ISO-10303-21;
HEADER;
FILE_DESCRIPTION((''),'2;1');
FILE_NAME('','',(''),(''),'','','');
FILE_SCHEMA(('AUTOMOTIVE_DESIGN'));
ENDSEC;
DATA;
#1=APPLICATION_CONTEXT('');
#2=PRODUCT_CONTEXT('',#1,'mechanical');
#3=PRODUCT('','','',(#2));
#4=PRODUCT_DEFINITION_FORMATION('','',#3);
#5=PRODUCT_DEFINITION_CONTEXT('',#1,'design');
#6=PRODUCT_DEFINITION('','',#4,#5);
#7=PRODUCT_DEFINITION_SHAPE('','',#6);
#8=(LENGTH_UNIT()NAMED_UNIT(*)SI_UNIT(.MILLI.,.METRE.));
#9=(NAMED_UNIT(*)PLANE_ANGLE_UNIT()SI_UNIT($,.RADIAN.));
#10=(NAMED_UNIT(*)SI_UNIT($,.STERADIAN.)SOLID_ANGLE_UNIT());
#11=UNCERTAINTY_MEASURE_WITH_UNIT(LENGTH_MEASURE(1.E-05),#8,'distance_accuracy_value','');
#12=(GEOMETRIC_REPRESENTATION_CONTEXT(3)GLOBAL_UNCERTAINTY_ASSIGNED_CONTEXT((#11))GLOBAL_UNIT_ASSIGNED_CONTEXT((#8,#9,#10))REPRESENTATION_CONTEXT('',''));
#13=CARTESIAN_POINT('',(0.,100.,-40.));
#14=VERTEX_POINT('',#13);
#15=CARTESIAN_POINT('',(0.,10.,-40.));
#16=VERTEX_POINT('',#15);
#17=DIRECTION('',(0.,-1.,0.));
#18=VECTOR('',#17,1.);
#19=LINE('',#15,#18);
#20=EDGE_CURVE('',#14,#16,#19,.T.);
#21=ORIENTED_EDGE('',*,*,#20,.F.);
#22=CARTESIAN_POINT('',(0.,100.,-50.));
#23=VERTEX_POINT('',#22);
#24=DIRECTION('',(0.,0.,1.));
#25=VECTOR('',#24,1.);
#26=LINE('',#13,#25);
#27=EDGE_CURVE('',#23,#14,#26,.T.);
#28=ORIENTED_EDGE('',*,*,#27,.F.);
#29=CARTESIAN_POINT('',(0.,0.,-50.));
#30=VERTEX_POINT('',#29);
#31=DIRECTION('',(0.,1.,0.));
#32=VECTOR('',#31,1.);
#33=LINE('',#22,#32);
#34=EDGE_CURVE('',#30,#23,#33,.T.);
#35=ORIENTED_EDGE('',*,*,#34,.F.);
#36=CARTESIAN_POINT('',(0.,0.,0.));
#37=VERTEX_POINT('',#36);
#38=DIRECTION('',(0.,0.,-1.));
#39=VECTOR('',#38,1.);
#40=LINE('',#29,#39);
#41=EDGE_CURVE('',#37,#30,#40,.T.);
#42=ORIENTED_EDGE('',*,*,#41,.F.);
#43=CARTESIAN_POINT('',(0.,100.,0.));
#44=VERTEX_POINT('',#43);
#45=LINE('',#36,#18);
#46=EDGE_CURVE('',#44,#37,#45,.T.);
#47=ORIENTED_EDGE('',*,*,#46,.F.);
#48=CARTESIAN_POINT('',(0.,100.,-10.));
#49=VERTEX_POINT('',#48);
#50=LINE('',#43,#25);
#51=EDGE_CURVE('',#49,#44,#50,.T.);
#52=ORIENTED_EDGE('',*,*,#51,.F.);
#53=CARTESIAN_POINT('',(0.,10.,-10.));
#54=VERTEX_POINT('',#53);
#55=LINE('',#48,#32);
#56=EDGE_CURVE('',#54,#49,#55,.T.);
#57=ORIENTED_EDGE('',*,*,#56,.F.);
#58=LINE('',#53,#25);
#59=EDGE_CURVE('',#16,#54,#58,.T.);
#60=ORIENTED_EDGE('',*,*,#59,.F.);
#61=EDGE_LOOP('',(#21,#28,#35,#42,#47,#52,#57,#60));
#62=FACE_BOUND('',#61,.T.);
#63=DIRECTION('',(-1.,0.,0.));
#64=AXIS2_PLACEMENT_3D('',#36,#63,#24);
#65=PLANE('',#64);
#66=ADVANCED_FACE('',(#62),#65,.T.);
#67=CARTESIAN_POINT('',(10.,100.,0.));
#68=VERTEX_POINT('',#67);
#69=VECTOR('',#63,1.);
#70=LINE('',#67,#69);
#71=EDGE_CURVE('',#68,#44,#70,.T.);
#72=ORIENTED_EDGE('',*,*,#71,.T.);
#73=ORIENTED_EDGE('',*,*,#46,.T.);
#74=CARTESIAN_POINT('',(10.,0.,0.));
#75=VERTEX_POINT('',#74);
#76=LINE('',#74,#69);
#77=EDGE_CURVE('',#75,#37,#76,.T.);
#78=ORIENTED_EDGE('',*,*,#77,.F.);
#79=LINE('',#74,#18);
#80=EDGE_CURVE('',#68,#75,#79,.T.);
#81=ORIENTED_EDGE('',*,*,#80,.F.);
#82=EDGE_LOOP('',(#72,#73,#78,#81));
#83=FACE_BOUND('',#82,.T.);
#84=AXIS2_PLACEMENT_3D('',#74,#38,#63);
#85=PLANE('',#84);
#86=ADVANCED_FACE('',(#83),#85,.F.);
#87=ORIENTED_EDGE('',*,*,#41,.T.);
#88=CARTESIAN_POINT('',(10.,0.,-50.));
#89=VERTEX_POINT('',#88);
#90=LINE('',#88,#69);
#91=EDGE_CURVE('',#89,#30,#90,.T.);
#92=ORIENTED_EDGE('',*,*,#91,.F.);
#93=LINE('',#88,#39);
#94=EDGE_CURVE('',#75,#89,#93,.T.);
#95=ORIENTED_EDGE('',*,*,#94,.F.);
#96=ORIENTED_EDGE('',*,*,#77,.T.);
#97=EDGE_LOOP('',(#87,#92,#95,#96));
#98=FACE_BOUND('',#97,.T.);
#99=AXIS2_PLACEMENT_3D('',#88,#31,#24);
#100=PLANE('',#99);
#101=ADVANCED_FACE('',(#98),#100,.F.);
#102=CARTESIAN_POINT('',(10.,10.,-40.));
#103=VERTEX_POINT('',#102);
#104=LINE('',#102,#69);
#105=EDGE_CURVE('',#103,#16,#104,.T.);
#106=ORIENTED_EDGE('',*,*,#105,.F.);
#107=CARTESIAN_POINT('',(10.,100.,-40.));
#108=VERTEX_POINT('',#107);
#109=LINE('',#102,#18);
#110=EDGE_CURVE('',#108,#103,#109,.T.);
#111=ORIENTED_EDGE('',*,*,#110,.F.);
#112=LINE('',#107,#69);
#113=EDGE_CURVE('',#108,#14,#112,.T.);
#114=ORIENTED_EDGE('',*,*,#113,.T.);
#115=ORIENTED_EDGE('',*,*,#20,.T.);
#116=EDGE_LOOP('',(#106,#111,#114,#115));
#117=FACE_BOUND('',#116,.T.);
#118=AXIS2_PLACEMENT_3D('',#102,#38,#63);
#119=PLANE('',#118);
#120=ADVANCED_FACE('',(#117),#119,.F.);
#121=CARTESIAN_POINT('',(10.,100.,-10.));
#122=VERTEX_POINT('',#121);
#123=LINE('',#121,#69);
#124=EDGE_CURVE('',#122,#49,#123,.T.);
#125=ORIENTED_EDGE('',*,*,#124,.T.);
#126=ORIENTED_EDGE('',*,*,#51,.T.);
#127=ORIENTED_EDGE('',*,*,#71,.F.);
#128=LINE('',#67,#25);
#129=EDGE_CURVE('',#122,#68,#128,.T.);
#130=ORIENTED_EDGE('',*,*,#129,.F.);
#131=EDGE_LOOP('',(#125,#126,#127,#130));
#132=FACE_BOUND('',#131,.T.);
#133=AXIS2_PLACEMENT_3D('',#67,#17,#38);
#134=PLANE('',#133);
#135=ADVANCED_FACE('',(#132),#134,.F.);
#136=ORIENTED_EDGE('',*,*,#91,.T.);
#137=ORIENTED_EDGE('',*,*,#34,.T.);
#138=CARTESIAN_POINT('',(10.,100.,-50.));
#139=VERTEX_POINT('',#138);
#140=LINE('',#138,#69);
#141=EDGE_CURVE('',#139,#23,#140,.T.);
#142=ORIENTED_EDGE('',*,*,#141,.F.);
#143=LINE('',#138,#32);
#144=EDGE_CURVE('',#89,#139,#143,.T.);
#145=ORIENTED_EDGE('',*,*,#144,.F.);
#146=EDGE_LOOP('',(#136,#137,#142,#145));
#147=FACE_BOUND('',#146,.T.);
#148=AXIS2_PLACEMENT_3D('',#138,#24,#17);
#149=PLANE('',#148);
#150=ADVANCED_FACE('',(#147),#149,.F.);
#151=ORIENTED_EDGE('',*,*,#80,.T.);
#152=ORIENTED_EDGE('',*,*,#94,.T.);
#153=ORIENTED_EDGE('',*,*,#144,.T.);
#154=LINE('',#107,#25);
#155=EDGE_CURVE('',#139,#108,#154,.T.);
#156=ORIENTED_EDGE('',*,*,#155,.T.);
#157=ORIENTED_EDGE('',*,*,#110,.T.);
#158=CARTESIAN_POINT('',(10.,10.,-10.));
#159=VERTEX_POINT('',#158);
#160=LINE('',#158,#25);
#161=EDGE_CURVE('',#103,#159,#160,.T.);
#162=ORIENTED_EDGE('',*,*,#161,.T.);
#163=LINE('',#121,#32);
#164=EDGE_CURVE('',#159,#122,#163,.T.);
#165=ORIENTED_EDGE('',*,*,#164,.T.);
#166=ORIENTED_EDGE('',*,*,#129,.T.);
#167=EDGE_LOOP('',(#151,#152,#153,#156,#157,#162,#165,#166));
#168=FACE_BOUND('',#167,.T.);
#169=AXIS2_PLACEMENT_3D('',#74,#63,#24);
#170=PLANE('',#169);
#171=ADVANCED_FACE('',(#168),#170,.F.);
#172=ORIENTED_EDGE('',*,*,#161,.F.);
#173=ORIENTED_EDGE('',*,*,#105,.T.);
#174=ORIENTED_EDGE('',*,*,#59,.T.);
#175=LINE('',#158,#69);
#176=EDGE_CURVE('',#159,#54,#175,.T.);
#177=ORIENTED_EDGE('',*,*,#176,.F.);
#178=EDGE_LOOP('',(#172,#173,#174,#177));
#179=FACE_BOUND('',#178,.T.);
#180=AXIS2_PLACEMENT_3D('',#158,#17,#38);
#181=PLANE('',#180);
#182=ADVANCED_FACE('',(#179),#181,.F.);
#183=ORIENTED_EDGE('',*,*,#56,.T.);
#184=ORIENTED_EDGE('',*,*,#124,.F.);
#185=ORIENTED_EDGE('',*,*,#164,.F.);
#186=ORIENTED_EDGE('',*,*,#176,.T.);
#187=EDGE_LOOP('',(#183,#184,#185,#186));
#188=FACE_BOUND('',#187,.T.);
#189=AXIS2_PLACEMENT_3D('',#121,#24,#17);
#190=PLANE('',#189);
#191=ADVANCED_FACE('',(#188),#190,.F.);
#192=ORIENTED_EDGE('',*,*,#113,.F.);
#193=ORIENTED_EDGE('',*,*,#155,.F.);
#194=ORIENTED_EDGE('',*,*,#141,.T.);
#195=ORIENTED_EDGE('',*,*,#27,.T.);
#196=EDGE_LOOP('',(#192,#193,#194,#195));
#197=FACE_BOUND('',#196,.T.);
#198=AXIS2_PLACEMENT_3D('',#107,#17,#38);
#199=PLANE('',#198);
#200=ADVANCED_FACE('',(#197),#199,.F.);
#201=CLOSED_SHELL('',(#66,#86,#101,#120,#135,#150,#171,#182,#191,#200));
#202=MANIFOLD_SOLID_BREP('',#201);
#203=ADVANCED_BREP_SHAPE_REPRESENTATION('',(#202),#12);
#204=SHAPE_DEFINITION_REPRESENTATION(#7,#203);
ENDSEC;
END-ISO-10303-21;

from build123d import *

# Parameters (mm, degrees)
SALIENTE_EXTRUIR1_DEPTH = 10


with BuildPart() as part:
    # Croquis1 → Saliente-Extruir1 (new body)
    with BuildSketch(Plane(origin=(0, 0, 0), x_dir=(0, 0, -1), z_dir=(1, 0, 0))):
        Polygon((0, 0), (0, 100), (10, 100), (10, 10), (40, 10), (40, 100), (50, 100), (50, 0), align=None)
    extrude(amount=SALIENTE_EXTRUIR1_DEPTH)


solid = part.part
